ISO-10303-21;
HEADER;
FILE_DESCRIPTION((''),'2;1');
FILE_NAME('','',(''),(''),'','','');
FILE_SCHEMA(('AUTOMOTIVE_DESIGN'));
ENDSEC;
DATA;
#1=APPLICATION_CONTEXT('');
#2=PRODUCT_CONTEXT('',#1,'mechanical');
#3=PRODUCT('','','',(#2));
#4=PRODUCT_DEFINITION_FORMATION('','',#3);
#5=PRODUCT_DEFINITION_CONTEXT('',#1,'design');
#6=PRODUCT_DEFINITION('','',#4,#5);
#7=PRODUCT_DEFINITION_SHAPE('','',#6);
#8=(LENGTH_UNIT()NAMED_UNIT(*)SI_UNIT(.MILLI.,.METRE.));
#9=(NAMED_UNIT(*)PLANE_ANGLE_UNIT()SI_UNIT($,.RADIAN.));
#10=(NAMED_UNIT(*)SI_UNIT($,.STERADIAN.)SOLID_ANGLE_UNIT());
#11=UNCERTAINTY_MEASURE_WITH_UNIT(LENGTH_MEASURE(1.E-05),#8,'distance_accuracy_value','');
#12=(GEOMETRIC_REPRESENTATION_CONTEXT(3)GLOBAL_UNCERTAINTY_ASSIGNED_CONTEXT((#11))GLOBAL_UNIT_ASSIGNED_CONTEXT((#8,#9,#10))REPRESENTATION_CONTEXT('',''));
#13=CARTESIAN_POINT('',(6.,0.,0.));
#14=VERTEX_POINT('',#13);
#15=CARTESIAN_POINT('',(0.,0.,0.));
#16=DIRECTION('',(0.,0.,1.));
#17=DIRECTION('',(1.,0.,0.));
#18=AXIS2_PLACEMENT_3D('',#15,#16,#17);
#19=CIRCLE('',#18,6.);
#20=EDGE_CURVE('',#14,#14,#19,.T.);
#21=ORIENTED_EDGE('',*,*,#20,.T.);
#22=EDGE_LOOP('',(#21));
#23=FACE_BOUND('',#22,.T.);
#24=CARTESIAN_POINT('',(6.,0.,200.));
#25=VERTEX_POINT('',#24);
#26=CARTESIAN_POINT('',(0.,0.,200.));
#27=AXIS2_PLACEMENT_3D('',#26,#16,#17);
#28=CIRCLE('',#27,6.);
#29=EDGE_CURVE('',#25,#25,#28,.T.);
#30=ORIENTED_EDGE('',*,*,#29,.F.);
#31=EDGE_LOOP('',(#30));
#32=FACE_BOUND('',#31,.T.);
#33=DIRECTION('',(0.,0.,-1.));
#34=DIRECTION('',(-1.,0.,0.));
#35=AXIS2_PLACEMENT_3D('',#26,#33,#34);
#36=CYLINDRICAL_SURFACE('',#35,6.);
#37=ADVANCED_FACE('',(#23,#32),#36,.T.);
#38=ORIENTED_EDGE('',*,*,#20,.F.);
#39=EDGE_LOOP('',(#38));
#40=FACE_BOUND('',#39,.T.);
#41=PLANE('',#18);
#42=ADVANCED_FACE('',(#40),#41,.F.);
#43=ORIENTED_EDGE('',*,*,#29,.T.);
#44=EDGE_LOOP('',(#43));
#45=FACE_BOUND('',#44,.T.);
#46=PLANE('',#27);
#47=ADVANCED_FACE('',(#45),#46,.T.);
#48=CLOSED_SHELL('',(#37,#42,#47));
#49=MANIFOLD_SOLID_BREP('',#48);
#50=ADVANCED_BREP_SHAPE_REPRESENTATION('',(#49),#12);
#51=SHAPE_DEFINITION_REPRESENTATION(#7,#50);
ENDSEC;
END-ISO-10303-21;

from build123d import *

# Parameters (mm, degrees)
SKIZZE1_R                       = 6
AUFSATZ_LINEAR_AUSTRAGEN1_DEPTH = 200


with BuildPart() as part:
    # Skizze1 → Aufsatz-Linear austragen1 (new body)
    with BuildSketch(Plane.XY):
        Circle(SKIZZE1_R)
    extrude(amount=AUFSATZ_LINEAR_AUSTRAGEN1_DEPTH)


solid = part.part
